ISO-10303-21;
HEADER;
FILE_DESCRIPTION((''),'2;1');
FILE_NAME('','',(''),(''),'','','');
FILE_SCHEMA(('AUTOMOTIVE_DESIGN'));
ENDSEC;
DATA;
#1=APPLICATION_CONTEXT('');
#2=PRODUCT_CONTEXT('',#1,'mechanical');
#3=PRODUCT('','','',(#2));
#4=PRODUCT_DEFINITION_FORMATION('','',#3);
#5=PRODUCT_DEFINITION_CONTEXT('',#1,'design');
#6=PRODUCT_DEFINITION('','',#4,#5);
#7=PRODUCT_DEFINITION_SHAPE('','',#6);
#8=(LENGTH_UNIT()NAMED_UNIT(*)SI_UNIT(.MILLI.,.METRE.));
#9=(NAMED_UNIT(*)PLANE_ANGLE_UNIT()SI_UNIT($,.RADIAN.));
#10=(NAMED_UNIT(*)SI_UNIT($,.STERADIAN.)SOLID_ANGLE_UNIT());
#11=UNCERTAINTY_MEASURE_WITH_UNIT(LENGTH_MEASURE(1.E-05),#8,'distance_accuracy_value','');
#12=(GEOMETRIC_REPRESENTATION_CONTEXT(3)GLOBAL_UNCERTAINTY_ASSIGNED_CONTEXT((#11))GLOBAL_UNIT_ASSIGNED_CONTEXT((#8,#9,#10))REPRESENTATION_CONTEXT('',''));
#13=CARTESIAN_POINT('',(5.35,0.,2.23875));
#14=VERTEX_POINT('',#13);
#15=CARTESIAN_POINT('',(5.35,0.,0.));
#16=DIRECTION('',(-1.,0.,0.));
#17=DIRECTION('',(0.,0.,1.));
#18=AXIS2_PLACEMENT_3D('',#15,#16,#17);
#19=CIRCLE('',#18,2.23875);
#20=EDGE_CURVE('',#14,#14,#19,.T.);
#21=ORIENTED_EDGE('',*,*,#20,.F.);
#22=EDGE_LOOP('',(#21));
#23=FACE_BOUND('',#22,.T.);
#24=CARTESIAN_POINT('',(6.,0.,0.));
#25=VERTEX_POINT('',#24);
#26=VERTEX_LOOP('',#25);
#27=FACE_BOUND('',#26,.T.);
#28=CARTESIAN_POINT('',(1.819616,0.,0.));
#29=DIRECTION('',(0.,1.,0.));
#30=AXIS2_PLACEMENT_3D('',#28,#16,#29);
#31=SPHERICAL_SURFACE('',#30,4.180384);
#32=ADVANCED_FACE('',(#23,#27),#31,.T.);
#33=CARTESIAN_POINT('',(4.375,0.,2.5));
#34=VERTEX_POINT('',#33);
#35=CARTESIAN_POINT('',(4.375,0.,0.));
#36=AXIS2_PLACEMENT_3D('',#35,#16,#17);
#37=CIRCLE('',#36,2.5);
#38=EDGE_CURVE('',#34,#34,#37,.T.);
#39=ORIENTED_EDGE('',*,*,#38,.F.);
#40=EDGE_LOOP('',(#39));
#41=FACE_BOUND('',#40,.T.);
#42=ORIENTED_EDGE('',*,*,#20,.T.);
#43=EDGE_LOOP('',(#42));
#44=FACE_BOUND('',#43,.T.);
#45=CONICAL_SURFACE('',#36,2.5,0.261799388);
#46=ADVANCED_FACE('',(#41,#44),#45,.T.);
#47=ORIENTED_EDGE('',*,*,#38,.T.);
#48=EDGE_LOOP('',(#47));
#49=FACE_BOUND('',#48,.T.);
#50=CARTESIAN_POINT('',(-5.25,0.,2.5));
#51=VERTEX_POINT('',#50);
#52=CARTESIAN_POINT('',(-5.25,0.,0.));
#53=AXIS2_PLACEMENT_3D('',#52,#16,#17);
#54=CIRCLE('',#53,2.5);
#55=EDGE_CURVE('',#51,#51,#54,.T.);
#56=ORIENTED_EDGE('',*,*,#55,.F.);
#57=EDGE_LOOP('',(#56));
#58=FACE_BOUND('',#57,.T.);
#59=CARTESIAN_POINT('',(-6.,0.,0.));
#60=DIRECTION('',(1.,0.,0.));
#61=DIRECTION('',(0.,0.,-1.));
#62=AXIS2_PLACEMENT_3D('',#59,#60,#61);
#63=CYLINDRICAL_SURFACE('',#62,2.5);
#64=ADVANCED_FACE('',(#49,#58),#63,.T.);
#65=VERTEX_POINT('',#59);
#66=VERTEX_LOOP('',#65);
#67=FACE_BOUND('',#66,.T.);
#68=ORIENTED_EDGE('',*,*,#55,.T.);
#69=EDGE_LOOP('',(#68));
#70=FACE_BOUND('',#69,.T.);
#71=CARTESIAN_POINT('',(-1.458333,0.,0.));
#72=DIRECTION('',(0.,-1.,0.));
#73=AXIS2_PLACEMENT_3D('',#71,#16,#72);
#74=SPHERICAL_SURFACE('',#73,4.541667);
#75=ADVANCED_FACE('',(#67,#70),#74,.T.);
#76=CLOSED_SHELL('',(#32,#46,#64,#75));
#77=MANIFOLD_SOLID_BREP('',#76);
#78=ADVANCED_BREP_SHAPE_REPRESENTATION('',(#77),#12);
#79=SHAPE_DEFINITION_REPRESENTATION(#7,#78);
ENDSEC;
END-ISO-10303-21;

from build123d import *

# Parameters (mm, degrees)
EXTRUDE1_DEPTH      = 6
EXTRUDE1_DEPTH_BACK = 6
SKETCH2_R           = 2.5


with BuildPart() as part:
    # Sketch2 → Extrude1 (new, two sides: drawn at the far end of the back side and taken through both)
    with BuildSketch(Plane(origin=(0, 0, 0), x_dir=(0, 0, -1), z_dir=(1, 0, 0)).offset(-EXTRUDE1_DEPTH_BACK)):
        Circle(SKETCH2_R)
    extrude(amount=EXTRUDE1_DEPTH + EXTRUDE1_DEPTH_BACK)

    # Sketch5 → Cut-Revolve1 (revolve, cut)
    with BuildSketch(Plane.XY, mode=Mode.PRIVATE) as cut_revolve1_sk:
        with BuildLine():
            Line((4.375, 2.5), (4.375, 3))
            Line((4.375, 3), (6.5, 3))
            Line((6.5, 3), (6.5, 0))
            Line((6.5, 0), (6, 0))
            ThreePointArc((6, 0), (5.834212566, 1.165600649), (5.35, 2.238749537))
            Line((5.35, 2.238749537), (4.375, 2.5))
        make_face()
        with BuildLine():
            Line((-5.25, 2.5), (-5.25, 3))
            Line((-5.25, 3), (-6.5, 3))
            Line((-6.5, 3), (-6.5, 0))
            Line((-6.5, 0), (-6, 0))
            ThreePointArc((-6, 0), (-5.808461045, 1.305038314), (-5.25, 2.5))
        make_face()
    revolve(cut_revolve1_sk.sketch.rotate(Axis((-6, 0, 0), (1, 0, 0)), 90), axis=Axis((-6, 0, 0), (1, 0, 0)), mode=Mode.SUBTRACT)


solid = part.part
